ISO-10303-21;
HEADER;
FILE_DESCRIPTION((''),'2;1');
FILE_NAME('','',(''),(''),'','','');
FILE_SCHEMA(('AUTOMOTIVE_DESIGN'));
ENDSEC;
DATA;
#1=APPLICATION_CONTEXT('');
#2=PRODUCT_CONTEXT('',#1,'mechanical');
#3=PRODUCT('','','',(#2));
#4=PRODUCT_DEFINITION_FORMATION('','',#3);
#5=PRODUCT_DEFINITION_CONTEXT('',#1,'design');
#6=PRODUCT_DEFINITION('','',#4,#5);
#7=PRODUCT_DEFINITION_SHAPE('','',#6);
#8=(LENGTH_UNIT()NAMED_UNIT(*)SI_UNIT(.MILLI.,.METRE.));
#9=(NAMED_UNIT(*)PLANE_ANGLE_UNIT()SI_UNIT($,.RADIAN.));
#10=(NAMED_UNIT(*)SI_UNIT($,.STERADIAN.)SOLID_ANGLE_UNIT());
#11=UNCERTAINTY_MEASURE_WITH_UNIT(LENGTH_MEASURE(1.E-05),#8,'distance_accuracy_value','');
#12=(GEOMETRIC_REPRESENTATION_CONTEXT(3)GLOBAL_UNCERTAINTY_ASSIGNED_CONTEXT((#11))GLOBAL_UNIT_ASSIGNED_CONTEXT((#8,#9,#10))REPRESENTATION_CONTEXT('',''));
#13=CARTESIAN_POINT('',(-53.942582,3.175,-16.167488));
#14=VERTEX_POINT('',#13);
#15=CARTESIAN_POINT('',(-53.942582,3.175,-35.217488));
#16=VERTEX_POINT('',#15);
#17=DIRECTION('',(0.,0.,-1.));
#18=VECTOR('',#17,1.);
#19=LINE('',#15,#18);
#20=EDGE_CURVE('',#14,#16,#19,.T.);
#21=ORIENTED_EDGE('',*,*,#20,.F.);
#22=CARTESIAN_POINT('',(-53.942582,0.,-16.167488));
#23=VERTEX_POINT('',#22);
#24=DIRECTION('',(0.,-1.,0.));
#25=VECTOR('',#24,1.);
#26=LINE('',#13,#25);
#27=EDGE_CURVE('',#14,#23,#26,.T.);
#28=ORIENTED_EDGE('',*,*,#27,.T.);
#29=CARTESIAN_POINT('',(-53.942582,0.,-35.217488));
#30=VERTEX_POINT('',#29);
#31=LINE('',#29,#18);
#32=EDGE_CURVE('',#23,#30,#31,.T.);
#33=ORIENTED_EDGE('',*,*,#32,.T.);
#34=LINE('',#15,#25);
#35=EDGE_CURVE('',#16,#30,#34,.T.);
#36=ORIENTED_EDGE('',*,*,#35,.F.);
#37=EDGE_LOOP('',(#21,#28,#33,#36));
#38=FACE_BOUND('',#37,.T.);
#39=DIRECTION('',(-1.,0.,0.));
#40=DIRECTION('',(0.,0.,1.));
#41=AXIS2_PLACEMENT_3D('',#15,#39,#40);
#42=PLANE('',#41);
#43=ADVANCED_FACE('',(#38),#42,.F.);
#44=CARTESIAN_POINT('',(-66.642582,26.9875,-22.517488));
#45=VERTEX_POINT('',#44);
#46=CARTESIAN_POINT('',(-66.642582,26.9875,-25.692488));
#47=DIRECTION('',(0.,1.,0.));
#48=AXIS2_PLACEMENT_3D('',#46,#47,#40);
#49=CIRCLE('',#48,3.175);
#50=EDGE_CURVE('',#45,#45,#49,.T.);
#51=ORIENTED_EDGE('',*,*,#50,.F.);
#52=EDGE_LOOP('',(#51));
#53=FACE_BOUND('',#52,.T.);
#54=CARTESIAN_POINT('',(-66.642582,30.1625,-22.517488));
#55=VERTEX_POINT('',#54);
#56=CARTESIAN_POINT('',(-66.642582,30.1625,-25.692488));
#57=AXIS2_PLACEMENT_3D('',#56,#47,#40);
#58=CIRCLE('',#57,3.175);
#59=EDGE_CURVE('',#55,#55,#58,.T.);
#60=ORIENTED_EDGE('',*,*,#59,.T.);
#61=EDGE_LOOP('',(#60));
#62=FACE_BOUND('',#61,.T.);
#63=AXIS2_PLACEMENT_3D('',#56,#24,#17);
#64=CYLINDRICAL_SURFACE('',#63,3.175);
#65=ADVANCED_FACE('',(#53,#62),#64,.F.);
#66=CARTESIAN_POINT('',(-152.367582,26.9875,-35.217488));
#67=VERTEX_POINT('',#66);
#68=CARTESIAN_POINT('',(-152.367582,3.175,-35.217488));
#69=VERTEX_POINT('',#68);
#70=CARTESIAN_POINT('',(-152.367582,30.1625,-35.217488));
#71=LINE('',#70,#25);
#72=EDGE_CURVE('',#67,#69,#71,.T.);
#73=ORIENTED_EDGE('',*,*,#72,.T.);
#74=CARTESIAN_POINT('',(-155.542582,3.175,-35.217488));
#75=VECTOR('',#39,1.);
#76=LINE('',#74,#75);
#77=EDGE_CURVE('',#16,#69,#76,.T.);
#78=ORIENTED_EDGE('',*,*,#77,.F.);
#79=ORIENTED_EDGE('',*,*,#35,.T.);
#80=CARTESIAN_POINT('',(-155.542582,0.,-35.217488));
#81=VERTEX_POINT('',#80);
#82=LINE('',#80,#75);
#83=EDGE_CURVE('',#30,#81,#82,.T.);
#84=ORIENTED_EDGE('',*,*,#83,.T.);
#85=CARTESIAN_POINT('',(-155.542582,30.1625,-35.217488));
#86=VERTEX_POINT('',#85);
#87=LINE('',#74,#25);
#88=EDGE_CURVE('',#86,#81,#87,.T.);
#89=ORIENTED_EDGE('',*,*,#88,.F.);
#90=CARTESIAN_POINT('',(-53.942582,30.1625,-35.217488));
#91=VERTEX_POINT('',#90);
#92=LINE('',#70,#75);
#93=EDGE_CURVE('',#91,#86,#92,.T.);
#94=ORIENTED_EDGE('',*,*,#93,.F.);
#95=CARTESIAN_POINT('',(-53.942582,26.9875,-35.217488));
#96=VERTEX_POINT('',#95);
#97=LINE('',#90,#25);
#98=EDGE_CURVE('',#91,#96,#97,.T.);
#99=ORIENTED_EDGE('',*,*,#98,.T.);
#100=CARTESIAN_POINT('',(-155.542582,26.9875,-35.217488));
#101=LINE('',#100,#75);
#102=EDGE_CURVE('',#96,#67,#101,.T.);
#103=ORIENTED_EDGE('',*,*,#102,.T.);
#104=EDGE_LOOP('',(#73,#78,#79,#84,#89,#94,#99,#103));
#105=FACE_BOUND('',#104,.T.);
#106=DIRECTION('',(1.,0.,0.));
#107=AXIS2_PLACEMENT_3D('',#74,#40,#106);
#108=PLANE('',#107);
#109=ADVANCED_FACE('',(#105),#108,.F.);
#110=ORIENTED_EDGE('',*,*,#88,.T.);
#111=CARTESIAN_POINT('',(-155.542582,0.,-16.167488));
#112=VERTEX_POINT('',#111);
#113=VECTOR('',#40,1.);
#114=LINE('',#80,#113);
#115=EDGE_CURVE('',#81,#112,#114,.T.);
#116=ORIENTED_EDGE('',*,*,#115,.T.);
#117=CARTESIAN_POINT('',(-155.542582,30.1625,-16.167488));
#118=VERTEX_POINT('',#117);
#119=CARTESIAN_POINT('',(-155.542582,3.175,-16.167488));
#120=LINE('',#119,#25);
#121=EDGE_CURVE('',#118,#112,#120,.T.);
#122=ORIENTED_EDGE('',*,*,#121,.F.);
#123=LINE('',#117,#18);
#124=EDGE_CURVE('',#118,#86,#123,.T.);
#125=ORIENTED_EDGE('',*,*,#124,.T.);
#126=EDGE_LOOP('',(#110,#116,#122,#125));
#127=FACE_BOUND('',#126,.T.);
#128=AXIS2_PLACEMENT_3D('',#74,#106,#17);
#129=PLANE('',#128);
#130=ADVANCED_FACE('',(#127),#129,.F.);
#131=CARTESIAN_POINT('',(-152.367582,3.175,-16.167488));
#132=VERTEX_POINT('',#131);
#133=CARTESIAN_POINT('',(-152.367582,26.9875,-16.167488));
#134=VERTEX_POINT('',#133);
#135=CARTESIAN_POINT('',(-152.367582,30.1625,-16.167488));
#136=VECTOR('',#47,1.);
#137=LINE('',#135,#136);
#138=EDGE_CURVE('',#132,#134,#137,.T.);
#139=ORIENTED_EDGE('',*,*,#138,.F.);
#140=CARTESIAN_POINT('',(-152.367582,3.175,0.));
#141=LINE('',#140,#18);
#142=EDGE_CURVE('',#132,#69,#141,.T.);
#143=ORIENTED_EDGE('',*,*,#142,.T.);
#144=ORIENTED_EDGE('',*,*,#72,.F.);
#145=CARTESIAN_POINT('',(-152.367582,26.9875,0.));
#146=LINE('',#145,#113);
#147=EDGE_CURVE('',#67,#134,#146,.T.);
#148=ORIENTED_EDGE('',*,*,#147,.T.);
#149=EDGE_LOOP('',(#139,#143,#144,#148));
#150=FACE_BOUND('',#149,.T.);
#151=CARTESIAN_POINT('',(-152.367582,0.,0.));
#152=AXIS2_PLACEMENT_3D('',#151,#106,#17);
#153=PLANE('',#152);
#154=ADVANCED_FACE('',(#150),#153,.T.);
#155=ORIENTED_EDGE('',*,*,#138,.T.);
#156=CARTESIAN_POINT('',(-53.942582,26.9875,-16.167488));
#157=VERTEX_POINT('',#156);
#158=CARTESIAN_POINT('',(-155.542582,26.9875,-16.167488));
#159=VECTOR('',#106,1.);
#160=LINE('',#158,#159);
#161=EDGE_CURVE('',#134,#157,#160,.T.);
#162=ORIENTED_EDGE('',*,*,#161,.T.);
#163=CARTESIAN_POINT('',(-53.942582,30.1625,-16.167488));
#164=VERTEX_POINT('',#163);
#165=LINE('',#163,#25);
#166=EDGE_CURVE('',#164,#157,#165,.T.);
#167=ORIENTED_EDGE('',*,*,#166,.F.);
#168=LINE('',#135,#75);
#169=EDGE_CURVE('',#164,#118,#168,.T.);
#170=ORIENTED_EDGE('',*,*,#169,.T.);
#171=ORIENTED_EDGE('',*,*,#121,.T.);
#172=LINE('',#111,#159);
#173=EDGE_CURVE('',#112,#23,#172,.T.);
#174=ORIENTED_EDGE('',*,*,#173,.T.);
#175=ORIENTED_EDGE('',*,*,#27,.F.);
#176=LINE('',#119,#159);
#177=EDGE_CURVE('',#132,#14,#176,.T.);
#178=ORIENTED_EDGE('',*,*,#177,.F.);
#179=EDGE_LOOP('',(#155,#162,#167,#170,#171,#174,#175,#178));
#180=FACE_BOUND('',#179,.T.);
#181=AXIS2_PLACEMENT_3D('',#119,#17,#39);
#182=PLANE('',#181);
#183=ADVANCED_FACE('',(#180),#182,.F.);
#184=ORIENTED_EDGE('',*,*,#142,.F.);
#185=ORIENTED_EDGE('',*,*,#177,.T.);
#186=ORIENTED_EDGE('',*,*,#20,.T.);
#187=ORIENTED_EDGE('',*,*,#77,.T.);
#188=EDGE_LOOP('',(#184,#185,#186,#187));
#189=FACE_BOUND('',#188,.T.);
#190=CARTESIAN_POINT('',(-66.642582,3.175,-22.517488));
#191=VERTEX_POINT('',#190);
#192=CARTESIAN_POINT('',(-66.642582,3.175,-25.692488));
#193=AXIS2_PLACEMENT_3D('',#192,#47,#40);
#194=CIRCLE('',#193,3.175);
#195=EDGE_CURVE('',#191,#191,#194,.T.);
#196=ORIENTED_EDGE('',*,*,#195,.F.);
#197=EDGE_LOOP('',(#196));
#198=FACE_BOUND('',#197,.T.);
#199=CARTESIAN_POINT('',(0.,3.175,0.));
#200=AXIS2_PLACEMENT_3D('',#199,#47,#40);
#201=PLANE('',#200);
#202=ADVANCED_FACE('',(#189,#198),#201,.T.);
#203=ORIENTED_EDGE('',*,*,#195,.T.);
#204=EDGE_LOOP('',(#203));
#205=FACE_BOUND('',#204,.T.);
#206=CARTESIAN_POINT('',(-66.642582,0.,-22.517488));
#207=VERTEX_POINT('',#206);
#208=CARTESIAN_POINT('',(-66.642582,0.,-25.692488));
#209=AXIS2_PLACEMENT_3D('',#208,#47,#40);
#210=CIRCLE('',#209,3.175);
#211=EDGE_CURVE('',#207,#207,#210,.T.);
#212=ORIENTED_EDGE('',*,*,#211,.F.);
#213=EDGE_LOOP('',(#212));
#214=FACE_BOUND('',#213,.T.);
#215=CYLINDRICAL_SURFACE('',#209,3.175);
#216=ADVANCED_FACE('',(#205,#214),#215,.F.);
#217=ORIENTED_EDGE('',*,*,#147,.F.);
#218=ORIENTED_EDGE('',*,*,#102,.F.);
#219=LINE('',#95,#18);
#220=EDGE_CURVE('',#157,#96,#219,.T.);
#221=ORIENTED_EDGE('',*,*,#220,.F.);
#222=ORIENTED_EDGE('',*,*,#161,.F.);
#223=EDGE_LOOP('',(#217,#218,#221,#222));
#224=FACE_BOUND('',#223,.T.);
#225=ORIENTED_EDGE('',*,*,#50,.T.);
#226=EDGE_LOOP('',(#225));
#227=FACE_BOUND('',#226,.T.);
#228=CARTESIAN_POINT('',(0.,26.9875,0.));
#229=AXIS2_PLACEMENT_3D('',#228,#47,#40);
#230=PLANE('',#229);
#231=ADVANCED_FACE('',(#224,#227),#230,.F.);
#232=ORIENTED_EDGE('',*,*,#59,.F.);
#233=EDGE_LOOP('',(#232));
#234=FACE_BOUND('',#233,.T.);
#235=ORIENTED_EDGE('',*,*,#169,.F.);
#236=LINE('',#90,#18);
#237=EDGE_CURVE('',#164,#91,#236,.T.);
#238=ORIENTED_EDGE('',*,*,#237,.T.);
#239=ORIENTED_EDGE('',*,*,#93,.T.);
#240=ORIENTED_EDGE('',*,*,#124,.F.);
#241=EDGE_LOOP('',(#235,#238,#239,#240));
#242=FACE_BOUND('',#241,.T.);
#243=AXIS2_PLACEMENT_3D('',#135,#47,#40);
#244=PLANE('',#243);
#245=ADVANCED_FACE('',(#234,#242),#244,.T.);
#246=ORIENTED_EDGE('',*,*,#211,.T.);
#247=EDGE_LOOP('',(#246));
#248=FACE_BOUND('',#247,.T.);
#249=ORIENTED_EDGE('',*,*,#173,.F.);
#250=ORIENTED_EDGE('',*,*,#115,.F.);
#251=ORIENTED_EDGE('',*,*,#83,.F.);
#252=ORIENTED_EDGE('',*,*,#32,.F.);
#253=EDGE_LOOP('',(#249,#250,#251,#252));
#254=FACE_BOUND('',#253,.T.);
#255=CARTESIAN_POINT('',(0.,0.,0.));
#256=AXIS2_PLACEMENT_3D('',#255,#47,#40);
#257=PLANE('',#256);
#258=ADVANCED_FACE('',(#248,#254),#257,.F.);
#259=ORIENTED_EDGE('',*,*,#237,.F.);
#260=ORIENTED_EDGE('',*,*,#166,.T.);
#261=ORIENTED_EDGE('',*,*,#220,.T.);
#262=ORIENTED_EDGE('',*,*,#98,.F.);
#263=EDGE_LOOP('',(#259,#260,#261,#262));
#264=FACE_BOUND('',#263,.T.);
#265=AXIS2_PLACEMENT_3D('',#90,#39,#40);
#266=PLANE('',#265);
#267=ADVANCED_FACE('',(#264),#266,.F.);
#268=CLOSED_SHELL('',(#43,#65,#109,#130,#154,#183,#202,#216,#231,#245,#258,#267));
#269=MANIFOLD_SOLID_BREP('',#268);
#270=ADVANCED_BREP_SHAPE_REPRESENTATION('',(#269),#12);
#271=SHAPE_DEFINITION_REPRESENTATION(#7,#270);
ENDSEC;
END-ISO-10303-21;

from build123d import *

# Parameters (mm, degrees)
SKETCH1_W           = 101.6
SKETCH1_H           = 19.05
BOSS_EXTRUDE1_DEPTH = 3.175
SKETCH5_R           = 3.175
CUT_EXTRUDE2_DEPTH  = 160.51127542
SKETCH6_W           = 101.6
SKETCH6_H           = 19.05
SKETCH6_R           = 3.175
BOSS_EXTRUDE2_DEPTH = 3.175
SKETCH9_W           = 19.05
SKETCH9_H           = 30.1625
BOSS_EXTRUDE5_DEPTH = 3.175


with BuildPart() as part:
    # Sketch1 → Boss-Extrude1 (new body)
    with BuildSketch(Plane(origin=(0, 0, 0), x_dir=(1, 0, 0), z_dir=(0, 1, 0))):
        with Locations((-104.742582317, 25.692487805)):
            Rectangle(SKETCH1_W, SKETCH1_H)
    extrude(amount=BOSS_EXTRUDE1_DEPTH)

    # Sketch5 → Cut-Extrude2 (cut, through all)
    with BuildSketch(Plane(origin=(0, 3.175, 0), x_dir=(1, 0, 0), z_dir=(0, 1, 0))):
        with Locations(Location((-66.642582317, 25.692487805, 0), (0, 0, 270))):
            Circle(SKETCH5_R)
    extrude(amount=-CUT_EXTRUDE2_DEPTH, mode=Mode.SUBTRACT)



with BuildPart() as body_2:
    # Sketch6 → Boss-Extrude2 (new body)
    with BuildSketch(Plane(origin=(0, 26.9875, 0), x_dir=(1, 0, 0), z_dir=(0, 1, 0))):
        with Locations((-104.742582317, 25.692487805)):
            Rectangle(SKETCH6_W, SKETCH6_H)
        with Locations(Location((-66.642582317, 25.692487805, 0), (0, 0, 270))):
            Circle(SKETCH6_R, mode=Mode.SUBTRACT)
    extrude(amount=BOSS_EXTRUDE2_DEPTH)


with BuildPart() as part_1:
    add(part.part)

    add(body_2.part)  # Boss-Extrude5 merges body 2
    # Sketch9 → Boss-Extrude5 (add)
    with BuildSketch(Plane.ZY.offset(155.542582317)):
        with Locations((-25.692487805, 15.08125)):
            Rectangle(SKETCH9_W, SKETCH9_H)
    extrude(amount=-BOSS_EXTRUDE5_DEPTH)


solid = part_1.part
